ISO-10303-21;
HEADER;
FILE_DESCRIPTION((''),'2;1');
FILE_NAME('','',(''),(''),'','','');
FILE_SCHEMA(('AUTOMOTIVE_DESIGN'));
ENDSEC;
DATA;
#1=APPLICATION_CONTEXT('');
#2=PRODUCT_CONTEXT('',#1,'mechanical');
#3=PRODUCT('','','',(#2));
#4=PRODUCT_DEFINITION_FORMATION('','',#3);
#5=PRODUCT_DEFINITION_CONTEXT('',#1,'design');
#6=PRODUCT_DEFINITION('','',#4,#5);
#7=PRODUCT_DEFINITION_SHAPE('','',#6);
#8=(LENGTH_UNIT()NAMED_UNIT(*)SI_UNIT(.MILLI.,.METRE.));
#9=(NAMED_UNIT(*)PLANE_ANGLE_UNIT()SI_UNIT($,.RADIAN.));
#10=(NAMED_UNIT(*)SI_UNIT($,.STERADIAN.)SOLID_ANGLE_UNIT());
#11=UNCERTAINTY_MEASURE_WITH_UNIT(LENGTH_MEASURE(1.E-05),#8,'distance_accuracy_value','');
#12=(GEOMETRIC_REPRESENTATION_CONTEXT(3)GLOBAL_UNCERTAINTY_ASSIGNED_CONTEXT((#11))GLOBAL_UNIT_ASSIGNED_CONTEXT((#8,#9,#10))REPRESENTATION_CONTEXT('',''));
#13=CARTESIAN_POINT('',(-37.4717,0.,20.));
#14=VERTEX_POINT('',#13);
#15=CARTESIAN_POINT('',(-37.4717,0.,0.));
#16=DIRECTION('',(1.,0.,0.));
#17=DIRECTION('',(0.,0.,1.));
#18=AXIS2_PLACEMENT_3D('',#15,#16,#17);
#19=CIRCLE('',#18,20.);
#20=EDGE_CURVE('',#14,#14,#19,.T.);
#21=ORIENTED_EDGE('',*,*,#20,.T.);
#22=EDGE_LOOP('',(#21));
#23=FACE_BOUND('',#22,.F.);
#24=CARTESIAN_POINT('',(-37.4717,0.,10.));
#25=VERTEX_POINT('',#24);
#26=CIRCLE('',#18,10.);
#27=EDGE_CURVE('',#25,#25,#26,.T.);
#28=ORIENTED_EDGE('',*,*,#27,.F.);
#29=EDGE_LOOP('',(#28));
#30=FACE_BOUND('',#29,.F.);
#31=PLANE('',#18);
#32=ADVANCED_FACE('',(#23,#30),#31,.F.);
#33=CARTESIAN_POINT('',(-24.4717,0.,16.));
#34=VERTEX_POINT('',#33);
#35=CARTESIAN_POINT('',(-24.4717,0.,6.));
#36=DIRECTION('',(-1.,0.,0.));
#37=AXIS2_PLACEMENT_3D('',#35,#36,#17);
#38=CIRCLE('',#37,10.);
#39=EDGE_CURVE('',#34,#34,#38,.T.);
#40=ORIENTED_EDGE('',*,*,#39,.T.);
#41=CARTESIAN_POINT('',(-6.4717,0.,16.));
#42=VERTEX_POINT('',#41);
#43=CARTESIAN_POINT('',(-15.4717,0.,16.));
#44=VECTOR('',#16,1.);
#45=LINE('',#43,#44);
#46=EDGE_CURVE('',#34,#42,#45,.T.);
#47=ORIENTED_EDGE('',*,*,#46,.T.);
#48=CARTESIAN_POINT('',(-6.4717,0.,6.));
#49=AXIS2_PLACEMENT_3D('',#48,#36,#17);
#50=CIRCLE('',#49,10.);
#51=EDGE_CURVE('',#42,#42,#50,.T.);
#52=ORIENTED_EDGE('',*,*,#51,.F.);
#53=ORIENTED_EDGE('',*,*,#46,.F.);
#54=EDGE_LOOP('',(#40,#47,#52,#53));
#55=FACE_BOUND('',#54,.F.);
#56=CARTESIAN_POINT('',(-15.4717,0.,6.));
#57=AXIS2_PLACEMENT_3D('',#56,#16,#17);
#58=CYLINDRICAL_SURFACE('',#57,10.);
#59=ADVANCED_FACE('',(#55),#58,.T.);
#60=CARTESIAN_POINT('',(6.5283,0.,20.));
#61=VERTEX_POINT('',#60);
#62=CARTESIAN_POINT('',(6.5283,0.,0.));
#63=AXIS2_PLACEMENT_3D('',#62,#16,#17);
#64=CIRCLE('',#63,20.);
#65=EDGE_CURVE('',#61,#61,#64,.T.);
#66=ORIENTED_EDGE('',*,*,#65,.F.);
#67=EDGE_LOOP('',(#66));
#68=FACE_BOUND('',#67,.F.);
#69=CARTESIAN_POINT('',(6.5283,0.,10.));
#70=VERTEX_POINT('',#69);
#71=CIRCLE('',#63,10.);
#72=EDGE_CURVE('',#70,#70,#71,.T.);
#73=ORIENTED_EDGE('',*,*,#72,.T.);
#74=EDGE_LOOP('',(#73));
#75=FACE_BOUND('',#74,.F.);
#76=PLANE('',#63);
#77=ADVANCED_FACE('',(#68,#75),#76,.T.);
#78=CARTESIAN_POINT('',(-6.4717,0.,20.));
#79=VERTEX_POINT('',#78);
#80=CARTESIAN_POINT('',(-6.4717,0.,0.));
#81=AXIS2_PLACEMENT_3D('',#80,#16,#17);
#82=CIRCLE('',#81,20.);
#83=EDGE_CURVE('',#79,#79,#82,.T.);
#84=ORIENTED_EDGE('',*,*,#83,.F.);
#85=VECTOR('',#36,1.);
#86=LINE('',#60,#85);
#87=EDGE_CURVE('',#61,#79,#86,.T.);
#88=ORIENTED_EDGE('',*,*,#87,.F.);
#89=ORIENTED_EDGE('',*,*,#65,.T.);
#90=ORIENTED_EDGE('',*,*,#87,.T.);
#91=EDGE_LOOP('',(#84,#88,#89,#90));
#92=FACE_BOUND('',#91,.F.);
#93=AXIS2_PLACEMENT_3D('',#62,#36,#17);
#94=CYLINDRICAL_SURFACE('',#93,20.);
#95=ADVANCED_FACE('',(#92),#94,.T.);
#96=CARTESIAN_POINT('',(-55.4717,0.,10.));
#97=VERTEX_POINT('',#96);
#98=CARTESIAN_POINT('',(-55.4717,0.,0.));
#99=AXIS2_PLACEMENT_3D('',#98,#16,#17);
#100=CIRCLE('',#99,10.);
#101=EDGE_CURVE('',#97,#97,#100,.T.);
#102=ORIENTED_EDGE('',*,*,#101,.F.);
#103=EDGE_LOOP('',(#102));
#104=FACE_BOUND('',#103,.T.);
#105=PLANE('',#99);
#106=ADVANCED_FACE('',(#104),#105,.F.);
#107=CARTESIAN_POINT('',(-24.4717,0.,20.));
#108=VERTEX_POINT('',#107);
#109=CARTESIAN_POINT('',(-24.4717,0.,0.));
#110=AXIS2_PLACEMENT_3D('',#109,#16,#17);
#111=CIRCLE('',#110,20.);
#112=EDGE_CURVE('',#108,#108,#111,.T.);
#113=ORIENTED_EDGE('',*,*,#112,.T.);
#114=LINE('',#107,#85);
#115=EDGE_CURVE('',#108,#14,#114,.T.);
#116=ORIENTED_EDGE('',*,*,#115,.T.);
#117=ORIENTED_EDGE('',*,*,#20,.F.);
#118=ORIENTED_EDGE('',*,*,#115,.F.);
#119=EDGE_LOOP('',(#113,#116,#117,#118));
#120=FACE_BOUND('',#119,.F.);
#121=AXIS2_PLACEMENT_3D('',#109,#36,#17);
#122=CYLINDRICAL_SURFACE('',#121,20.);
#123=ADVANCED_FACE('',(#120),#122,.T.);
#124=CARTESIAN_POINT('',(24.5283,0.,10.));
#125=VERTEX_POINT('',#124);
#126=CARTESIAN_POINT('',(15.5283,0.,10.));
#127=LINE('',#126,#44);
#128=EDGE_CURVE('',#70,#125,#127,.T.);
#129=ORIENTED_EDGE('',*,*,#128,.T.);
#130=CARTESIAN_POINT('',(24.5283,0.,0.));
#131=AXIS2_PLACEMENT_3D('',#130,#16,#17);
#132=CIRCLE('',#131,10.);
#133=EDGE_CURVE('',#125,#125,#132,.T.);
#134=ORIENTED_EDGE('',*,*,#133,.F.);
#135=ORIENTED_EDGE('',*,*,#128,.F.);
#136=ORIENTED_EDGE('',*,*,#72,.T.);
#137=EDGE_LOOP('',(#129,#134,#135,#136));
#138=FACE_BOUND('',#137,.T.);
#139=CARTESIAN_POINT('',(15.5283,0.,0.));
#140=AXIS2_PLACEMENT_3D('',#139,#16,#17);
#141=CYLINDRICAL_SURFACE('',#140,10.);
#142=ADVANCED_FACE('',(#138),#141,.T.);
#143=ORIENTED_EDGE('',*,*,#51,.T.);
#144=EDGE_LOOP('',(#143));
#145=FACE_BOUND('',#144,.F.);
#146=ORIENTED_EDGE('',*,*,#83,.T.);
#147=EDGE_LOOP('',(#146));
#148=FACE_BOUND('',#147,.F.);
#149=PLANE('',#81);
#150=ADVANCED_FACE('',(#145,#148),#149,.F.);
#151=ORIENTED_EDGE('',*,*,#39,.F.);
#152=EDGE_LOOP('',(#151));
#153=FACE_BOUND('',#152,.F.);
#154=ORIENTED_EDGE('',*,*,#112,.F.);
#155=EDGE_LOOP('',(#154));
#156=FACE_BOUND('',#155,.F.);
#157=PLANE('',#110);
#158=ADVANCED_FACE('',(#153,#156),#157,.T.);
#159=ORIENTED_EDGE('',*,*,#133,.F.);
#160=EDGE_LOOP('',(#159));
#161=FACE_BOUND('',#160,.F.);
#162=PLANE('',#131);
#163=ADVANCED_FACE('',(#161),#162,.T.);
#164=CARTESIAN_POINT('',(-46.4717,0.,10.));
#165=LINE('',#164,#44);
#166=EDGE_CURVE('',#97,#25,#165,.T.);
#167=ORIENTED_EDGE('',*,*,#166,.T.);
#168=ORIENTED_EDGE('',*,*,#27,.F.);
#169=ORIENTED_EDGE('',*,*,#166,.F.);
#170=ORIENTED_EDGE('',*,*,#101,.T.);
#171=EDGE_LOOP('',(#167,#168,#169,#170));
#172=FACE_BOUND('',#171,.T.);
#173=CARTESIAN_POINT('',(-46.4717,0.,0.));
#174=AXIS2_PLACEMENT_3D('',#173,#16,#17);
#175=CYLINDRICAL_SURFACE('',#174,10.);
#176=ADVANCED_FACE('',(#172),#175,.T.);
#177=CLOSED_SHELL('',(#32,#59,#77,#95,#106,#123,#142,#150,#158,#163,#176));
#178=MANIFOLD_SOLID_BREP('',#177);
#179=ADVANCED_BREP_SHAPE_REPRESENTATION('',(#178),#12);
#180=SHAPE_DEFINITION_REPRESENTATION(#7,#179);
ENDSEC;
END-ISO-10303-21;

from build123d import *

# Parameters (mm, degrees)
F0_W = 18
F0_H = 10


with BuildPart() as f1:
    # F0 (on Front) → F1 (revolve)
    with BuildSketch(Plane.XZ):
        with Locations((-46.4717, 5)):
            Rectangle(F0_W, F0_H)
        Polygon((-37.4717, 10), (-37.4717, 0), (-24.4717, 0), (-24.4717, 6), (-24.4717, 16), (-24.4717, 20), (-37.4717, 20), align=None)
        Polygon((-6.4717, 6), (-6.4717, 0), (6.5283, 0), (6.5283, 10), (6.5283, 20), (-6.4717, 20), (-6.4717, 16), align=None)
        with Locations((15.5283, 5)):
            Rectangle(F0_W, F0_H)
    revolve(axis=Axis((-0.66038, 0, 0), (1, 0, 0)))

    # F0 (on Front) → F2 (revolve)
    with BuildSketch(Plane.XZ):
        with Locations((-15.4717, 11)):
            Rectangle(F0_W, F0_H)
    revolve(axis=Axis((-15.4717, 0, 6), (-1, 0, 0)))


solid = f1.part
